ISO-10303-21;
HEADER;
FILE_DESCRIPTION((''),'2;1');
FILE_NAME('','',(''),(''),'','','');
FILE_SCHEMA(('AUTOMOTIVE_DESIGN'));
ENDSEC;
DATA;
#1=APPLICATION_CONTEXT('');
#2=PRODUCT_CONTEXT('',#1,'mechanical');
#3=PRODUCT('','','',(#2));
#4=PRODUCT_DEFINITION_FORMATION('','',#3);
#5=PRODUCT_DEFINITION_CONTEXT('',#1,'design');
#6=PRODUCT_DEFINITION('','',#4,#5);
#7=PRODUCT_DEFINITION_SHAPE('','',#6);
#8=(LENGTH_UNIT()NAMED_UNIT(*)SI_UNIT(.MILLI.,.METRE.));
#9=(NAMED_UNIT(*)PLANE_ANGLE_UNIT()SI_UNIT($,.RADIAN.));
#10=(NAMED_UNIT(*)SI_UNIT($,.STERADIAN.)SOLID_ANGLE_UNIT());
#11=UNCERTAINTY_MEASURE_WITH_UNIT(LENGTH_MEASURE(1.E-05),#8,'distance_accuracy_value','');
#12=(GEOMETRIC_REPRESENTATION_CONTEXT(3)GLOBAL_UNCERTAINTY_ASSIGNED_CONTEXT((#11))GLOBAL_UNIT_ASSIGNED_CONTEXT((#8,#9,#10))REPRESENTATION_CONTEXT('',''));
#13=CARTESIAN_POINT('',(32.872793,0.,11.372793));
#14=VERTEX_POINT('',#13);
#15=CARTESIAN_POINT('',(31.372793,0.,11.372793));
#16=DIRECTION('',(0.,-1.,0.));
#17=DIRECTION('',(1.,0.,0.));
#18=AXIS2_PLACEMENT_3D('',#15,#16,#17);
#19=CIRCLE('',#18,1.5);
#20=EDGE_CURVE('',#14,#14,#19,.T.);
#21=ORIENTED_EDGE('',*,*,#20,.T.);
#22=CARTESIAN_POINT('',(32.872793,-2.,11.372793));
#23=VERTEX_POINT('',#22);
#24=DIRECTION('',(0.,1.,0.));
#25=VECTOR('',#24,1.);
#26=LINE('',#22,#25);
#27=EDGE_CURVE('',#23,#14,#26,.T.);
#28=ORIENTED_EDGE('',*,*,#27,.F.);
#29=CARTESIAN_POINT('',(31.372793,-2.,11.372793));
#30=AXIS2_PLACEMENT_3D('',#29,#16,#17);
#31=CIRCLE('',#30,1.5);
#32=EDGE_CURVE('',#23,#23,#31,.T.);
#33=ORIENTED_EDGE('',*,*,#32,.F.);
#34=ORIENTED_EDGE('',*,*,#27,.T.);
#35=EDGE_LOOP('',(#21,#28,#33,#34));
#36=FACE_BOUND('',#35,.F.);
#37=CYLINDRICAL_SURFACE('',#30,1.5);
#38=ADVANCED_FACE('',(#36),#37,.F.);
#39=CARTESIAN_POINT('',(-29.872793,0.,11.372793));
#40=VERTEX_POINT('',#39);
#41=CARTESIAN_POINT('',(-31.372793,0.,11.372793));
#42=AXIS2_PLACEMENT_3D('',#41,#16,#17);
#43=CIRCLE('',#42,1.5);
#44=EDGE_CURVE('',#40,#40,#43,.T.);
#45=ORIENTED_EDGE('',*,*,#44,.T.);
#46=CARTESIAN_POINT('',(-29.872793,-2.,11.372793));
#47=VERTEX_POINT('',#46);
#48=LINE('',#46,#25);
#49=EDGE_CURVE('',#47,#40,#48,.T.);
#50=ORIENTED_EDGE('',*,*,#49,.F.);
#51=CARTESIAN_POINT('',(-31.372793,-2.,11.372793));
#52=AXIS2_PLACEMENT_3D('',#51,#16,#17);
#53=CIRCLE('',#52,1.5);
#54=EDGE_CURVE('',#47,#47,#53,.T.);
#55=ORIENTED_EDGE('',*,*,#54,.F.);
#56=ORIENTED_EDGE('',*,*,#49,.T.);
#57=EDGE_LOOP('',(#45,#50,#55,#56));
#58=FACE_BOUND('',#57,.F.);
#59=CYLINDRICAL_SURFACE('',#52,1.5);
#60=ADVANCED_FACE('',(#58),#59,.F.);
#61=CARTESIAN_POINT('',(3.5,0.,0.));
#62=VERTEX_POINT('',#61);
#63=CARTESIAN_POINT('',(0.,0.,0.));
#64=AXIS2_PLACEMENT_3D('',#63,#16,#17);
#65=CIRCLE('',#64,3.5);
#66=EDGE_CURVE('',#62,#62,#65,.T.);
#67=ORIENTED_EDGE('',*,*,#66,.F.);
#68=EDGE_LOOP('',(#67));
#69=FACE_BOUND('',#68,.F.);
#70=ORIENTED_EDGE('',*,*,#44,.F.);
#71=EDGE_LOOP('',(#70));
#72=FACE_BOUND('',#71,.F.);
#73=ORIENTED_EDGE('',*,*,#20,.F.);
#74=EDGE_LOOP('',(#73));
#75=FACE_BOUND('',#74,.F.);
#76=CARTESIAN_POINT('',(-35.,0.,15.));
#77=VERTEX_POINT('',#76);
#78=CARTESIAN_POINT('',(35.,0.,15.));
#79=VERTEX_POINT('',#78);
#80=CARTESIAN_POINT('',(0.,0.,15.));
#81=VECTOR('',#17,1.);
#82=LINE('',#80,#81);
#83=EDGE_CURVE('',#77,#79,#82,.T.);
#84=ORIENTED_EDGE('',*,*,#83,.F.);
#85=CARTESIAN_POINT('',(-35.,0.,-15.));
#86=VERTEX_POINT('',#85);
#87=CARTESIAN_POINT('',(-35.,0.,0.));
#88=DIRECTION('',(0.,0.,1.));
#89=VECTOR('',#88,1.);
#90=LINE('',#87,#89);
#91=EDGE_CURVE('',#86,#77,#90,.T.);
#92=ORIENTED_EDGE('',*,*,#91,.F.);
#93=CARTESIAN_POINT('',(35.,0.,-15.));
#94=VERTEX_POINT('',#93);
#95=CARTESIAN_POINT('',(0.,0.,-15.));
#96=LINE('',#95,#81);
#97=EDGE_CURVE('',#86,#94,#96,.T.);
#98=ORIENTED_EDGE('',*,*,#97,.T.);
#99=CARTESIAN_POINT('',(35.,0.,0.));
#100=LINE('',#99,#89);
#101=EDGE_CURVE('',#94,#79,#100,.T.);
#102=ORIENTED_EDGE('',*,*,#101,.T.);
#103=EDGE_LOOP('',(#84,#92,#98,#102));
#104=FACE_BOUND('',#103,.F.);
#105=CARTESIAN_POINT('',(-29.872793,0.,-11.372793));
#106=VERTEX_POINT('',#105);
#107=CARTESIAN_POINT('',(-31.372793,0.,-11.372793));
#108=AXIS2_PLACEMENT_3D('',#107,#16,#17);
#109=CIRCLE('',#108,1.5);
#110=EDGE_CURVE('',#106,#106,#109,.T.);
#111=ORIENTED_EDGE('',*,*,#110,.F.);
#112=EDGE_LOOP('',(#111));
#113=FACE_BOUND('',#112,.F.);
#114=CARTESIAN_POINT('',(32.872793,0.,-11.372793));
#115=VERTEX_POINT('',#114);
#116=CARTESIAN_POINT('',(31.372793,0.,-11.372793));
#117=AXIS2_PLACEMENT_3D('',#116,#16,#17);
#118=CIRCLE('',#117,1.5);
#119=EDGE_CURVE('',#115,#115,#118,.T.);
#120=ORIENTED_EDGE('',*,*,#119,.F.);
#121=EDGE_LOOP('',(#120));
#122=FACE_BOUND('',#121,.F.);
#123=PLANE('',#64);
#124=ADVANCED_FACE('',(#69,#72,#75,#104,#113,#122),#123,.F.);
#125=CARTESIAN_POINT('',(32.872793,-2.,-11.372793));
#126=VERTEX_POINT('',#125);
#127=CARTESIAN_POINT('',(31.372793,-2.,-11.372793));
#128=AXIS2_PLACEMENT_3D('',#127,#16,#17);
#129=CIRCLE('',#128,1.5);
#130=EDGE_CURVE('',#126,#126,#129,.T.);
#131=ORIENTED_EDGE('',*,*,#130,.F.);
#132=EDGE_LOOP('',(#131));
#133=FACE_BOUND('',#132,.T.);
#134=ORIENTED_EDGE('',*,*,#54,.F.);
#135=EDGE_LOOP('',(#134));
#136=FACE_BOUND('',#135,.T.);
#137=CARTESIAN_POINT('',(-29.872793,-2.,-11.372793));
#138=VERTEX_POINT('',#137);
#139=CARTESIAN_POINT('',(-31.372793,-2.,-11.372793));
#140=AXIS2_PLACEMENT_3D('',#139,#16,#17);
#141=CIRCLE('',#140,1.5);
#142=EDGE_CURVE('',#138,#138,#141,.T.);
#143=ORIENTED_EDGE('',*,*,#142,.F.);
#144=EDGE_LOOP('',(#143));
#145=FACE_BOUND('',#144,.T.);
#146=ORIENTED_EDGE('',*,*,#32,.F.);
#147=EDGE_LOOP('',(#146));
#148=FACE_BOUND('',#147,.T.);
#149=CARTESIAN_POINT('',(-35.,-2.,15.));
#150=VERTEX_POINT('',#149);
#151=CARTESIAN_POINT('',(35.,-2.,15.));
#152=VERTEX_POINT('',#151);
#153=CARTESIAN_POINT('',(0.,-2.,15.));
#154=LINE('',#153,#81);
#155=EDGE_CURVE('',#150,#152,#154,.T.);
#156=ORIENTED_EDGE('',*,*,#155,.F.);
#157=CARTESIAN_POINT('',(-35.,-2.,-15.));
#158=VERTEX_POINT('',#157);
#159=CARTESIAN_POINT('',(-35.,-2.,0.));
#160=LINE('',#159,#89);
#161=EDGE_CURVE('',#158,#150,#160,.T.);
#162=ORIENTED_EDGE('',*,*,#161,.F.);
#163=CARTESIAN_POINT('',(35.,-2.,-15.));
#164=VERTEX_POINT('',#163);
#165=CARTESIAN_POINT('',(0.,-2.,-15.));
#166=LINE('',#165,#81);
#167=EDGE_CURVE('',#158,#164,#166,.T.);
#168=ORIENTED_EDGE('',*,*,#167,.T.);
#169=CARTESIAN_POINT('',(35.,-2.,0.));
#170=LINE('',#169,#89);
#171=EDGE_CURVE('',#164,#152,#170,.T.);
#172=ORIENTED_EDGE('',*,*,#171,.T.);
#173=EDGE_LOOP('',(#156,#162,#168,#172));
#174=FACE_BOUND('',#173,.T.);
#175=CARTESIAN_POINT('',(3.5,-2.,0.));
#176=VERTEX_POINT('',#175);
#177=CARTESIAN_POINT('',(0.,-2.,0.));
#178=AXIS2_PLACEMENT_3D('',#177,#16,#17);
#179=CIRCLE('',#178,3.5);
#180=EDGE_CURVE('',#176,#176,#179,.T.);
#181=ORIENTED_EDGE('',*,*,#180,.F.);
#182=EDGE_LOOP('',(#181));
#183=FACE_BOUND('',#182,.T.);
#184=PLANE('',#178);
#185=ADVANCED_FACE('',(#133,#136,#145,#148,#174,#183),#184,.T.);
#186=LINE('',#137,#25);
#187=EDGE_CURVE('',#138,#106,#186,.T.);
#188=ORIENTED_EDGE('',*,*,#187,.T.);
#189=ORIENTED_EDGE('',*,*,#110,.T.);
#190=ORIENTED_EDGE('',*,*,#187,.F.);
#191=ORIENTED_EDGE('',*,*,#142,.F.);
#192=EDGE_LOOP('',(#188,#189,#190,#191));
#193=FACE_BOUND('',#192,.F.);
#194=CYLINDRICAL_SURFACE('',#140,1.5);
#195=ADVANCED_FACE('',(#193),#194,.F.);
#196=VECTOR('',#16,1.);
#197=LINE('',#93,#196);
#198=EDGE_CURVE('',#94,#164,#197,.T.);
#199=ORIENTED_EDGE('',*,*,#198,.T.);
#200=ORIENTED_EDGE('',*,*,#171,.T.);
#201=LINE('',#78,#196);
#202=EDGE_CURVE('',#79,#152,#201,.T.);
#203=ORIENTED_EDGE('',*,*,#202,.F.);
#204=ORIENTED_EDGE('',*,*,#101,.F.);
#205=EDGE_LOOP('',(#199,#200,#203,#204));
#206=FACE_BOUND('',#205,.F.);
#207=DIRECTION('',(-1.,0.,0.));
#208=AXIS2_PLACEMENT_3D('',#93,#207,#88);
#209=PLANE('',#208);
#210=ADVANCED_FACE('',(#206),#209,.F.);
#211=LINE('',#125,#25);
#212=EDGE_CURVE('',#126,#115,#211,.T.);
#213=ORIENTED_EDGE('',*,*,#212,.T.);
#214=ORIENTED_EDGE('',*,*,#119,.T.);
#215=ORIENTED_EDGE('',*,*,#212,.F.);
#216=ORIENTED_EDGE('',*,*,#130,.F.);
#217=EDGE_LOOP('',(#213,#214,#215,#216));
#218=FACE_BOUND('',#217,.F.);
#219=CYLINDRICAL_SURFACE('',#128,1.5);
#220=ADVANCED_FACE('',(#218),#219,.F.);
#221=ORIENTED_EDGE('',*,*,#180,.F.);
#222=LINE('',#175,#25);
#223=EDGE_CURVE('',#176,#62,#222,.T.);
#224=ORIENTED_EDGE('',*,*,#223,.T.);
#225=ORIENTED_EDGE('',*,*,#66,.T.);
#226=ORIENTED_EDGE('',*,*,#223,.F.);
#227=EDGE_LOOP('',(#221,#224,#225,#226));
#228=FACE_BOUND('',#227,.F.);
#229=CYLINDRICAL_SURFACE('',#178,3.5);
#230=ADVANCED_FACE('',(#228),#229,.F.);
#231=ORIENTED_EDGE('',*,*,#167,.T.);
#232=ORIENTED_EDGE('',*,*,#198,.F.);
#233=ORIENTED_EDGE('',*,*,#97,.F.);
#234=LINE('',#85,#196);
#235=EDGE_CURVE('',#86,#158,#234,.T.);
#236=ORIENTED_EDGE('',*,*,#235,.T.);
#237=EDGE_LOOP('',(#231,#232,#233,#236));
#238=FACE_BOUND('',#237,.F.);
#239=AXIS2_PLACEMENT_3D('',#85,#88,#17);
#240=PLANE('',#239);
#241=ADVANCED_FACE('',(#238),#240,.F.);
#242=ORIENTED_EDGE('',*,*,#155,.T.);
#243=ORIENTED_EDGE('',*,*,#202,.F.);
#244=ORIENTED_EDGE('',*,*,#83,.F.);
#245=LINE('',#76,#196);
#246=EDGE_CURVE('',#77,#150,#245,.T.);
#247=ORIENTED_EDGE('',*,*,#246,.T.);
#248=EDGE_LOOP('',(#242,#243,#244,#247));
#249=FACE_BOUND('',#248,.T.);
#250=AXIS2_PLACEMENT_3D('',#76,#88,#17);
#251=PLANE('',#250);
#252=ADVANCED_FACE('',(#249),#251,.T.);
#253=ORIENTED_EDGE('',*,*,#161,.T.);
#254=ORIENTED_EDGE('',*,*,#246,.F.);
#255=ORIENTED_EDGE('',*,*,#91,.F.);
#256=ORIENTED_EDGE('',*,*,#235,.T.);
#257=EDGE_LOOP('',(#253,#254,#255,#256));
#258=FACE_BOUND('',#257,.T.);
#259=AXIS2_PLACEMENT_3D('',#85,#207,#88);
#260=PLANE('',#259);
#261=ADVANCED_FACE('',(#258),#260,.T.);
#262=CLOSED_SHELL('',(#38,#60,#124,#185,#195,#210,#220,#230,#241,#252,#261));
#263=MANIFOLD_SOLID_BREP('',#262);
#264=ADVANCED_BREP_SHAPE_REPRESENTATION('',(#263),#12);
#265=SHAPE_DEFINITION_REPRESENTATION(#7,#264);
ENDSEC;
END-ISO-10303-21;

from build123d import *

# Parameters (mm, degrees)
F0_W     = 70
F0_H     = 30
F1_DEPTH = 2
F2_R     = 1.5
F3_DEPTH = 25
F4_R     = 3.5
F5_DEPTH = 2.001


with BuildPart() as f1:
    # F0 (on Front) → F1 (new body)
    with BuildSketch(Plane.XZ):
        Rectangle(F0_W, F0_H)
    extrude(amount=F1_DEPTH)

    # F2 (on face) → F3 (cut)
    with BuildSketch(Plane.XZ.offset(2)):
        with Locations((-31.372793, 11.372793)):
            Circle(F2_R)
        with Locations((31.372793, 11.372793)):
            Circle(F2_R)
        with Locations((-31.372793, -11.372793)):
            Circle(F2_R)
        with Locations((31.372793, -11.372793)):
            Circle(F2_R)
    extrude(amount=-F3_DEPTH, mode=Mode.SUBTRACT)

    # F4 (on face) → F5 (cut, through all)
    with BuildSketch(Plane.XZ.offset(2)):
        Circle(F4_R)
    extrude(amount=-F5_DEPTH, mode=Mode.SUBTRACT)


solid = f1.part
